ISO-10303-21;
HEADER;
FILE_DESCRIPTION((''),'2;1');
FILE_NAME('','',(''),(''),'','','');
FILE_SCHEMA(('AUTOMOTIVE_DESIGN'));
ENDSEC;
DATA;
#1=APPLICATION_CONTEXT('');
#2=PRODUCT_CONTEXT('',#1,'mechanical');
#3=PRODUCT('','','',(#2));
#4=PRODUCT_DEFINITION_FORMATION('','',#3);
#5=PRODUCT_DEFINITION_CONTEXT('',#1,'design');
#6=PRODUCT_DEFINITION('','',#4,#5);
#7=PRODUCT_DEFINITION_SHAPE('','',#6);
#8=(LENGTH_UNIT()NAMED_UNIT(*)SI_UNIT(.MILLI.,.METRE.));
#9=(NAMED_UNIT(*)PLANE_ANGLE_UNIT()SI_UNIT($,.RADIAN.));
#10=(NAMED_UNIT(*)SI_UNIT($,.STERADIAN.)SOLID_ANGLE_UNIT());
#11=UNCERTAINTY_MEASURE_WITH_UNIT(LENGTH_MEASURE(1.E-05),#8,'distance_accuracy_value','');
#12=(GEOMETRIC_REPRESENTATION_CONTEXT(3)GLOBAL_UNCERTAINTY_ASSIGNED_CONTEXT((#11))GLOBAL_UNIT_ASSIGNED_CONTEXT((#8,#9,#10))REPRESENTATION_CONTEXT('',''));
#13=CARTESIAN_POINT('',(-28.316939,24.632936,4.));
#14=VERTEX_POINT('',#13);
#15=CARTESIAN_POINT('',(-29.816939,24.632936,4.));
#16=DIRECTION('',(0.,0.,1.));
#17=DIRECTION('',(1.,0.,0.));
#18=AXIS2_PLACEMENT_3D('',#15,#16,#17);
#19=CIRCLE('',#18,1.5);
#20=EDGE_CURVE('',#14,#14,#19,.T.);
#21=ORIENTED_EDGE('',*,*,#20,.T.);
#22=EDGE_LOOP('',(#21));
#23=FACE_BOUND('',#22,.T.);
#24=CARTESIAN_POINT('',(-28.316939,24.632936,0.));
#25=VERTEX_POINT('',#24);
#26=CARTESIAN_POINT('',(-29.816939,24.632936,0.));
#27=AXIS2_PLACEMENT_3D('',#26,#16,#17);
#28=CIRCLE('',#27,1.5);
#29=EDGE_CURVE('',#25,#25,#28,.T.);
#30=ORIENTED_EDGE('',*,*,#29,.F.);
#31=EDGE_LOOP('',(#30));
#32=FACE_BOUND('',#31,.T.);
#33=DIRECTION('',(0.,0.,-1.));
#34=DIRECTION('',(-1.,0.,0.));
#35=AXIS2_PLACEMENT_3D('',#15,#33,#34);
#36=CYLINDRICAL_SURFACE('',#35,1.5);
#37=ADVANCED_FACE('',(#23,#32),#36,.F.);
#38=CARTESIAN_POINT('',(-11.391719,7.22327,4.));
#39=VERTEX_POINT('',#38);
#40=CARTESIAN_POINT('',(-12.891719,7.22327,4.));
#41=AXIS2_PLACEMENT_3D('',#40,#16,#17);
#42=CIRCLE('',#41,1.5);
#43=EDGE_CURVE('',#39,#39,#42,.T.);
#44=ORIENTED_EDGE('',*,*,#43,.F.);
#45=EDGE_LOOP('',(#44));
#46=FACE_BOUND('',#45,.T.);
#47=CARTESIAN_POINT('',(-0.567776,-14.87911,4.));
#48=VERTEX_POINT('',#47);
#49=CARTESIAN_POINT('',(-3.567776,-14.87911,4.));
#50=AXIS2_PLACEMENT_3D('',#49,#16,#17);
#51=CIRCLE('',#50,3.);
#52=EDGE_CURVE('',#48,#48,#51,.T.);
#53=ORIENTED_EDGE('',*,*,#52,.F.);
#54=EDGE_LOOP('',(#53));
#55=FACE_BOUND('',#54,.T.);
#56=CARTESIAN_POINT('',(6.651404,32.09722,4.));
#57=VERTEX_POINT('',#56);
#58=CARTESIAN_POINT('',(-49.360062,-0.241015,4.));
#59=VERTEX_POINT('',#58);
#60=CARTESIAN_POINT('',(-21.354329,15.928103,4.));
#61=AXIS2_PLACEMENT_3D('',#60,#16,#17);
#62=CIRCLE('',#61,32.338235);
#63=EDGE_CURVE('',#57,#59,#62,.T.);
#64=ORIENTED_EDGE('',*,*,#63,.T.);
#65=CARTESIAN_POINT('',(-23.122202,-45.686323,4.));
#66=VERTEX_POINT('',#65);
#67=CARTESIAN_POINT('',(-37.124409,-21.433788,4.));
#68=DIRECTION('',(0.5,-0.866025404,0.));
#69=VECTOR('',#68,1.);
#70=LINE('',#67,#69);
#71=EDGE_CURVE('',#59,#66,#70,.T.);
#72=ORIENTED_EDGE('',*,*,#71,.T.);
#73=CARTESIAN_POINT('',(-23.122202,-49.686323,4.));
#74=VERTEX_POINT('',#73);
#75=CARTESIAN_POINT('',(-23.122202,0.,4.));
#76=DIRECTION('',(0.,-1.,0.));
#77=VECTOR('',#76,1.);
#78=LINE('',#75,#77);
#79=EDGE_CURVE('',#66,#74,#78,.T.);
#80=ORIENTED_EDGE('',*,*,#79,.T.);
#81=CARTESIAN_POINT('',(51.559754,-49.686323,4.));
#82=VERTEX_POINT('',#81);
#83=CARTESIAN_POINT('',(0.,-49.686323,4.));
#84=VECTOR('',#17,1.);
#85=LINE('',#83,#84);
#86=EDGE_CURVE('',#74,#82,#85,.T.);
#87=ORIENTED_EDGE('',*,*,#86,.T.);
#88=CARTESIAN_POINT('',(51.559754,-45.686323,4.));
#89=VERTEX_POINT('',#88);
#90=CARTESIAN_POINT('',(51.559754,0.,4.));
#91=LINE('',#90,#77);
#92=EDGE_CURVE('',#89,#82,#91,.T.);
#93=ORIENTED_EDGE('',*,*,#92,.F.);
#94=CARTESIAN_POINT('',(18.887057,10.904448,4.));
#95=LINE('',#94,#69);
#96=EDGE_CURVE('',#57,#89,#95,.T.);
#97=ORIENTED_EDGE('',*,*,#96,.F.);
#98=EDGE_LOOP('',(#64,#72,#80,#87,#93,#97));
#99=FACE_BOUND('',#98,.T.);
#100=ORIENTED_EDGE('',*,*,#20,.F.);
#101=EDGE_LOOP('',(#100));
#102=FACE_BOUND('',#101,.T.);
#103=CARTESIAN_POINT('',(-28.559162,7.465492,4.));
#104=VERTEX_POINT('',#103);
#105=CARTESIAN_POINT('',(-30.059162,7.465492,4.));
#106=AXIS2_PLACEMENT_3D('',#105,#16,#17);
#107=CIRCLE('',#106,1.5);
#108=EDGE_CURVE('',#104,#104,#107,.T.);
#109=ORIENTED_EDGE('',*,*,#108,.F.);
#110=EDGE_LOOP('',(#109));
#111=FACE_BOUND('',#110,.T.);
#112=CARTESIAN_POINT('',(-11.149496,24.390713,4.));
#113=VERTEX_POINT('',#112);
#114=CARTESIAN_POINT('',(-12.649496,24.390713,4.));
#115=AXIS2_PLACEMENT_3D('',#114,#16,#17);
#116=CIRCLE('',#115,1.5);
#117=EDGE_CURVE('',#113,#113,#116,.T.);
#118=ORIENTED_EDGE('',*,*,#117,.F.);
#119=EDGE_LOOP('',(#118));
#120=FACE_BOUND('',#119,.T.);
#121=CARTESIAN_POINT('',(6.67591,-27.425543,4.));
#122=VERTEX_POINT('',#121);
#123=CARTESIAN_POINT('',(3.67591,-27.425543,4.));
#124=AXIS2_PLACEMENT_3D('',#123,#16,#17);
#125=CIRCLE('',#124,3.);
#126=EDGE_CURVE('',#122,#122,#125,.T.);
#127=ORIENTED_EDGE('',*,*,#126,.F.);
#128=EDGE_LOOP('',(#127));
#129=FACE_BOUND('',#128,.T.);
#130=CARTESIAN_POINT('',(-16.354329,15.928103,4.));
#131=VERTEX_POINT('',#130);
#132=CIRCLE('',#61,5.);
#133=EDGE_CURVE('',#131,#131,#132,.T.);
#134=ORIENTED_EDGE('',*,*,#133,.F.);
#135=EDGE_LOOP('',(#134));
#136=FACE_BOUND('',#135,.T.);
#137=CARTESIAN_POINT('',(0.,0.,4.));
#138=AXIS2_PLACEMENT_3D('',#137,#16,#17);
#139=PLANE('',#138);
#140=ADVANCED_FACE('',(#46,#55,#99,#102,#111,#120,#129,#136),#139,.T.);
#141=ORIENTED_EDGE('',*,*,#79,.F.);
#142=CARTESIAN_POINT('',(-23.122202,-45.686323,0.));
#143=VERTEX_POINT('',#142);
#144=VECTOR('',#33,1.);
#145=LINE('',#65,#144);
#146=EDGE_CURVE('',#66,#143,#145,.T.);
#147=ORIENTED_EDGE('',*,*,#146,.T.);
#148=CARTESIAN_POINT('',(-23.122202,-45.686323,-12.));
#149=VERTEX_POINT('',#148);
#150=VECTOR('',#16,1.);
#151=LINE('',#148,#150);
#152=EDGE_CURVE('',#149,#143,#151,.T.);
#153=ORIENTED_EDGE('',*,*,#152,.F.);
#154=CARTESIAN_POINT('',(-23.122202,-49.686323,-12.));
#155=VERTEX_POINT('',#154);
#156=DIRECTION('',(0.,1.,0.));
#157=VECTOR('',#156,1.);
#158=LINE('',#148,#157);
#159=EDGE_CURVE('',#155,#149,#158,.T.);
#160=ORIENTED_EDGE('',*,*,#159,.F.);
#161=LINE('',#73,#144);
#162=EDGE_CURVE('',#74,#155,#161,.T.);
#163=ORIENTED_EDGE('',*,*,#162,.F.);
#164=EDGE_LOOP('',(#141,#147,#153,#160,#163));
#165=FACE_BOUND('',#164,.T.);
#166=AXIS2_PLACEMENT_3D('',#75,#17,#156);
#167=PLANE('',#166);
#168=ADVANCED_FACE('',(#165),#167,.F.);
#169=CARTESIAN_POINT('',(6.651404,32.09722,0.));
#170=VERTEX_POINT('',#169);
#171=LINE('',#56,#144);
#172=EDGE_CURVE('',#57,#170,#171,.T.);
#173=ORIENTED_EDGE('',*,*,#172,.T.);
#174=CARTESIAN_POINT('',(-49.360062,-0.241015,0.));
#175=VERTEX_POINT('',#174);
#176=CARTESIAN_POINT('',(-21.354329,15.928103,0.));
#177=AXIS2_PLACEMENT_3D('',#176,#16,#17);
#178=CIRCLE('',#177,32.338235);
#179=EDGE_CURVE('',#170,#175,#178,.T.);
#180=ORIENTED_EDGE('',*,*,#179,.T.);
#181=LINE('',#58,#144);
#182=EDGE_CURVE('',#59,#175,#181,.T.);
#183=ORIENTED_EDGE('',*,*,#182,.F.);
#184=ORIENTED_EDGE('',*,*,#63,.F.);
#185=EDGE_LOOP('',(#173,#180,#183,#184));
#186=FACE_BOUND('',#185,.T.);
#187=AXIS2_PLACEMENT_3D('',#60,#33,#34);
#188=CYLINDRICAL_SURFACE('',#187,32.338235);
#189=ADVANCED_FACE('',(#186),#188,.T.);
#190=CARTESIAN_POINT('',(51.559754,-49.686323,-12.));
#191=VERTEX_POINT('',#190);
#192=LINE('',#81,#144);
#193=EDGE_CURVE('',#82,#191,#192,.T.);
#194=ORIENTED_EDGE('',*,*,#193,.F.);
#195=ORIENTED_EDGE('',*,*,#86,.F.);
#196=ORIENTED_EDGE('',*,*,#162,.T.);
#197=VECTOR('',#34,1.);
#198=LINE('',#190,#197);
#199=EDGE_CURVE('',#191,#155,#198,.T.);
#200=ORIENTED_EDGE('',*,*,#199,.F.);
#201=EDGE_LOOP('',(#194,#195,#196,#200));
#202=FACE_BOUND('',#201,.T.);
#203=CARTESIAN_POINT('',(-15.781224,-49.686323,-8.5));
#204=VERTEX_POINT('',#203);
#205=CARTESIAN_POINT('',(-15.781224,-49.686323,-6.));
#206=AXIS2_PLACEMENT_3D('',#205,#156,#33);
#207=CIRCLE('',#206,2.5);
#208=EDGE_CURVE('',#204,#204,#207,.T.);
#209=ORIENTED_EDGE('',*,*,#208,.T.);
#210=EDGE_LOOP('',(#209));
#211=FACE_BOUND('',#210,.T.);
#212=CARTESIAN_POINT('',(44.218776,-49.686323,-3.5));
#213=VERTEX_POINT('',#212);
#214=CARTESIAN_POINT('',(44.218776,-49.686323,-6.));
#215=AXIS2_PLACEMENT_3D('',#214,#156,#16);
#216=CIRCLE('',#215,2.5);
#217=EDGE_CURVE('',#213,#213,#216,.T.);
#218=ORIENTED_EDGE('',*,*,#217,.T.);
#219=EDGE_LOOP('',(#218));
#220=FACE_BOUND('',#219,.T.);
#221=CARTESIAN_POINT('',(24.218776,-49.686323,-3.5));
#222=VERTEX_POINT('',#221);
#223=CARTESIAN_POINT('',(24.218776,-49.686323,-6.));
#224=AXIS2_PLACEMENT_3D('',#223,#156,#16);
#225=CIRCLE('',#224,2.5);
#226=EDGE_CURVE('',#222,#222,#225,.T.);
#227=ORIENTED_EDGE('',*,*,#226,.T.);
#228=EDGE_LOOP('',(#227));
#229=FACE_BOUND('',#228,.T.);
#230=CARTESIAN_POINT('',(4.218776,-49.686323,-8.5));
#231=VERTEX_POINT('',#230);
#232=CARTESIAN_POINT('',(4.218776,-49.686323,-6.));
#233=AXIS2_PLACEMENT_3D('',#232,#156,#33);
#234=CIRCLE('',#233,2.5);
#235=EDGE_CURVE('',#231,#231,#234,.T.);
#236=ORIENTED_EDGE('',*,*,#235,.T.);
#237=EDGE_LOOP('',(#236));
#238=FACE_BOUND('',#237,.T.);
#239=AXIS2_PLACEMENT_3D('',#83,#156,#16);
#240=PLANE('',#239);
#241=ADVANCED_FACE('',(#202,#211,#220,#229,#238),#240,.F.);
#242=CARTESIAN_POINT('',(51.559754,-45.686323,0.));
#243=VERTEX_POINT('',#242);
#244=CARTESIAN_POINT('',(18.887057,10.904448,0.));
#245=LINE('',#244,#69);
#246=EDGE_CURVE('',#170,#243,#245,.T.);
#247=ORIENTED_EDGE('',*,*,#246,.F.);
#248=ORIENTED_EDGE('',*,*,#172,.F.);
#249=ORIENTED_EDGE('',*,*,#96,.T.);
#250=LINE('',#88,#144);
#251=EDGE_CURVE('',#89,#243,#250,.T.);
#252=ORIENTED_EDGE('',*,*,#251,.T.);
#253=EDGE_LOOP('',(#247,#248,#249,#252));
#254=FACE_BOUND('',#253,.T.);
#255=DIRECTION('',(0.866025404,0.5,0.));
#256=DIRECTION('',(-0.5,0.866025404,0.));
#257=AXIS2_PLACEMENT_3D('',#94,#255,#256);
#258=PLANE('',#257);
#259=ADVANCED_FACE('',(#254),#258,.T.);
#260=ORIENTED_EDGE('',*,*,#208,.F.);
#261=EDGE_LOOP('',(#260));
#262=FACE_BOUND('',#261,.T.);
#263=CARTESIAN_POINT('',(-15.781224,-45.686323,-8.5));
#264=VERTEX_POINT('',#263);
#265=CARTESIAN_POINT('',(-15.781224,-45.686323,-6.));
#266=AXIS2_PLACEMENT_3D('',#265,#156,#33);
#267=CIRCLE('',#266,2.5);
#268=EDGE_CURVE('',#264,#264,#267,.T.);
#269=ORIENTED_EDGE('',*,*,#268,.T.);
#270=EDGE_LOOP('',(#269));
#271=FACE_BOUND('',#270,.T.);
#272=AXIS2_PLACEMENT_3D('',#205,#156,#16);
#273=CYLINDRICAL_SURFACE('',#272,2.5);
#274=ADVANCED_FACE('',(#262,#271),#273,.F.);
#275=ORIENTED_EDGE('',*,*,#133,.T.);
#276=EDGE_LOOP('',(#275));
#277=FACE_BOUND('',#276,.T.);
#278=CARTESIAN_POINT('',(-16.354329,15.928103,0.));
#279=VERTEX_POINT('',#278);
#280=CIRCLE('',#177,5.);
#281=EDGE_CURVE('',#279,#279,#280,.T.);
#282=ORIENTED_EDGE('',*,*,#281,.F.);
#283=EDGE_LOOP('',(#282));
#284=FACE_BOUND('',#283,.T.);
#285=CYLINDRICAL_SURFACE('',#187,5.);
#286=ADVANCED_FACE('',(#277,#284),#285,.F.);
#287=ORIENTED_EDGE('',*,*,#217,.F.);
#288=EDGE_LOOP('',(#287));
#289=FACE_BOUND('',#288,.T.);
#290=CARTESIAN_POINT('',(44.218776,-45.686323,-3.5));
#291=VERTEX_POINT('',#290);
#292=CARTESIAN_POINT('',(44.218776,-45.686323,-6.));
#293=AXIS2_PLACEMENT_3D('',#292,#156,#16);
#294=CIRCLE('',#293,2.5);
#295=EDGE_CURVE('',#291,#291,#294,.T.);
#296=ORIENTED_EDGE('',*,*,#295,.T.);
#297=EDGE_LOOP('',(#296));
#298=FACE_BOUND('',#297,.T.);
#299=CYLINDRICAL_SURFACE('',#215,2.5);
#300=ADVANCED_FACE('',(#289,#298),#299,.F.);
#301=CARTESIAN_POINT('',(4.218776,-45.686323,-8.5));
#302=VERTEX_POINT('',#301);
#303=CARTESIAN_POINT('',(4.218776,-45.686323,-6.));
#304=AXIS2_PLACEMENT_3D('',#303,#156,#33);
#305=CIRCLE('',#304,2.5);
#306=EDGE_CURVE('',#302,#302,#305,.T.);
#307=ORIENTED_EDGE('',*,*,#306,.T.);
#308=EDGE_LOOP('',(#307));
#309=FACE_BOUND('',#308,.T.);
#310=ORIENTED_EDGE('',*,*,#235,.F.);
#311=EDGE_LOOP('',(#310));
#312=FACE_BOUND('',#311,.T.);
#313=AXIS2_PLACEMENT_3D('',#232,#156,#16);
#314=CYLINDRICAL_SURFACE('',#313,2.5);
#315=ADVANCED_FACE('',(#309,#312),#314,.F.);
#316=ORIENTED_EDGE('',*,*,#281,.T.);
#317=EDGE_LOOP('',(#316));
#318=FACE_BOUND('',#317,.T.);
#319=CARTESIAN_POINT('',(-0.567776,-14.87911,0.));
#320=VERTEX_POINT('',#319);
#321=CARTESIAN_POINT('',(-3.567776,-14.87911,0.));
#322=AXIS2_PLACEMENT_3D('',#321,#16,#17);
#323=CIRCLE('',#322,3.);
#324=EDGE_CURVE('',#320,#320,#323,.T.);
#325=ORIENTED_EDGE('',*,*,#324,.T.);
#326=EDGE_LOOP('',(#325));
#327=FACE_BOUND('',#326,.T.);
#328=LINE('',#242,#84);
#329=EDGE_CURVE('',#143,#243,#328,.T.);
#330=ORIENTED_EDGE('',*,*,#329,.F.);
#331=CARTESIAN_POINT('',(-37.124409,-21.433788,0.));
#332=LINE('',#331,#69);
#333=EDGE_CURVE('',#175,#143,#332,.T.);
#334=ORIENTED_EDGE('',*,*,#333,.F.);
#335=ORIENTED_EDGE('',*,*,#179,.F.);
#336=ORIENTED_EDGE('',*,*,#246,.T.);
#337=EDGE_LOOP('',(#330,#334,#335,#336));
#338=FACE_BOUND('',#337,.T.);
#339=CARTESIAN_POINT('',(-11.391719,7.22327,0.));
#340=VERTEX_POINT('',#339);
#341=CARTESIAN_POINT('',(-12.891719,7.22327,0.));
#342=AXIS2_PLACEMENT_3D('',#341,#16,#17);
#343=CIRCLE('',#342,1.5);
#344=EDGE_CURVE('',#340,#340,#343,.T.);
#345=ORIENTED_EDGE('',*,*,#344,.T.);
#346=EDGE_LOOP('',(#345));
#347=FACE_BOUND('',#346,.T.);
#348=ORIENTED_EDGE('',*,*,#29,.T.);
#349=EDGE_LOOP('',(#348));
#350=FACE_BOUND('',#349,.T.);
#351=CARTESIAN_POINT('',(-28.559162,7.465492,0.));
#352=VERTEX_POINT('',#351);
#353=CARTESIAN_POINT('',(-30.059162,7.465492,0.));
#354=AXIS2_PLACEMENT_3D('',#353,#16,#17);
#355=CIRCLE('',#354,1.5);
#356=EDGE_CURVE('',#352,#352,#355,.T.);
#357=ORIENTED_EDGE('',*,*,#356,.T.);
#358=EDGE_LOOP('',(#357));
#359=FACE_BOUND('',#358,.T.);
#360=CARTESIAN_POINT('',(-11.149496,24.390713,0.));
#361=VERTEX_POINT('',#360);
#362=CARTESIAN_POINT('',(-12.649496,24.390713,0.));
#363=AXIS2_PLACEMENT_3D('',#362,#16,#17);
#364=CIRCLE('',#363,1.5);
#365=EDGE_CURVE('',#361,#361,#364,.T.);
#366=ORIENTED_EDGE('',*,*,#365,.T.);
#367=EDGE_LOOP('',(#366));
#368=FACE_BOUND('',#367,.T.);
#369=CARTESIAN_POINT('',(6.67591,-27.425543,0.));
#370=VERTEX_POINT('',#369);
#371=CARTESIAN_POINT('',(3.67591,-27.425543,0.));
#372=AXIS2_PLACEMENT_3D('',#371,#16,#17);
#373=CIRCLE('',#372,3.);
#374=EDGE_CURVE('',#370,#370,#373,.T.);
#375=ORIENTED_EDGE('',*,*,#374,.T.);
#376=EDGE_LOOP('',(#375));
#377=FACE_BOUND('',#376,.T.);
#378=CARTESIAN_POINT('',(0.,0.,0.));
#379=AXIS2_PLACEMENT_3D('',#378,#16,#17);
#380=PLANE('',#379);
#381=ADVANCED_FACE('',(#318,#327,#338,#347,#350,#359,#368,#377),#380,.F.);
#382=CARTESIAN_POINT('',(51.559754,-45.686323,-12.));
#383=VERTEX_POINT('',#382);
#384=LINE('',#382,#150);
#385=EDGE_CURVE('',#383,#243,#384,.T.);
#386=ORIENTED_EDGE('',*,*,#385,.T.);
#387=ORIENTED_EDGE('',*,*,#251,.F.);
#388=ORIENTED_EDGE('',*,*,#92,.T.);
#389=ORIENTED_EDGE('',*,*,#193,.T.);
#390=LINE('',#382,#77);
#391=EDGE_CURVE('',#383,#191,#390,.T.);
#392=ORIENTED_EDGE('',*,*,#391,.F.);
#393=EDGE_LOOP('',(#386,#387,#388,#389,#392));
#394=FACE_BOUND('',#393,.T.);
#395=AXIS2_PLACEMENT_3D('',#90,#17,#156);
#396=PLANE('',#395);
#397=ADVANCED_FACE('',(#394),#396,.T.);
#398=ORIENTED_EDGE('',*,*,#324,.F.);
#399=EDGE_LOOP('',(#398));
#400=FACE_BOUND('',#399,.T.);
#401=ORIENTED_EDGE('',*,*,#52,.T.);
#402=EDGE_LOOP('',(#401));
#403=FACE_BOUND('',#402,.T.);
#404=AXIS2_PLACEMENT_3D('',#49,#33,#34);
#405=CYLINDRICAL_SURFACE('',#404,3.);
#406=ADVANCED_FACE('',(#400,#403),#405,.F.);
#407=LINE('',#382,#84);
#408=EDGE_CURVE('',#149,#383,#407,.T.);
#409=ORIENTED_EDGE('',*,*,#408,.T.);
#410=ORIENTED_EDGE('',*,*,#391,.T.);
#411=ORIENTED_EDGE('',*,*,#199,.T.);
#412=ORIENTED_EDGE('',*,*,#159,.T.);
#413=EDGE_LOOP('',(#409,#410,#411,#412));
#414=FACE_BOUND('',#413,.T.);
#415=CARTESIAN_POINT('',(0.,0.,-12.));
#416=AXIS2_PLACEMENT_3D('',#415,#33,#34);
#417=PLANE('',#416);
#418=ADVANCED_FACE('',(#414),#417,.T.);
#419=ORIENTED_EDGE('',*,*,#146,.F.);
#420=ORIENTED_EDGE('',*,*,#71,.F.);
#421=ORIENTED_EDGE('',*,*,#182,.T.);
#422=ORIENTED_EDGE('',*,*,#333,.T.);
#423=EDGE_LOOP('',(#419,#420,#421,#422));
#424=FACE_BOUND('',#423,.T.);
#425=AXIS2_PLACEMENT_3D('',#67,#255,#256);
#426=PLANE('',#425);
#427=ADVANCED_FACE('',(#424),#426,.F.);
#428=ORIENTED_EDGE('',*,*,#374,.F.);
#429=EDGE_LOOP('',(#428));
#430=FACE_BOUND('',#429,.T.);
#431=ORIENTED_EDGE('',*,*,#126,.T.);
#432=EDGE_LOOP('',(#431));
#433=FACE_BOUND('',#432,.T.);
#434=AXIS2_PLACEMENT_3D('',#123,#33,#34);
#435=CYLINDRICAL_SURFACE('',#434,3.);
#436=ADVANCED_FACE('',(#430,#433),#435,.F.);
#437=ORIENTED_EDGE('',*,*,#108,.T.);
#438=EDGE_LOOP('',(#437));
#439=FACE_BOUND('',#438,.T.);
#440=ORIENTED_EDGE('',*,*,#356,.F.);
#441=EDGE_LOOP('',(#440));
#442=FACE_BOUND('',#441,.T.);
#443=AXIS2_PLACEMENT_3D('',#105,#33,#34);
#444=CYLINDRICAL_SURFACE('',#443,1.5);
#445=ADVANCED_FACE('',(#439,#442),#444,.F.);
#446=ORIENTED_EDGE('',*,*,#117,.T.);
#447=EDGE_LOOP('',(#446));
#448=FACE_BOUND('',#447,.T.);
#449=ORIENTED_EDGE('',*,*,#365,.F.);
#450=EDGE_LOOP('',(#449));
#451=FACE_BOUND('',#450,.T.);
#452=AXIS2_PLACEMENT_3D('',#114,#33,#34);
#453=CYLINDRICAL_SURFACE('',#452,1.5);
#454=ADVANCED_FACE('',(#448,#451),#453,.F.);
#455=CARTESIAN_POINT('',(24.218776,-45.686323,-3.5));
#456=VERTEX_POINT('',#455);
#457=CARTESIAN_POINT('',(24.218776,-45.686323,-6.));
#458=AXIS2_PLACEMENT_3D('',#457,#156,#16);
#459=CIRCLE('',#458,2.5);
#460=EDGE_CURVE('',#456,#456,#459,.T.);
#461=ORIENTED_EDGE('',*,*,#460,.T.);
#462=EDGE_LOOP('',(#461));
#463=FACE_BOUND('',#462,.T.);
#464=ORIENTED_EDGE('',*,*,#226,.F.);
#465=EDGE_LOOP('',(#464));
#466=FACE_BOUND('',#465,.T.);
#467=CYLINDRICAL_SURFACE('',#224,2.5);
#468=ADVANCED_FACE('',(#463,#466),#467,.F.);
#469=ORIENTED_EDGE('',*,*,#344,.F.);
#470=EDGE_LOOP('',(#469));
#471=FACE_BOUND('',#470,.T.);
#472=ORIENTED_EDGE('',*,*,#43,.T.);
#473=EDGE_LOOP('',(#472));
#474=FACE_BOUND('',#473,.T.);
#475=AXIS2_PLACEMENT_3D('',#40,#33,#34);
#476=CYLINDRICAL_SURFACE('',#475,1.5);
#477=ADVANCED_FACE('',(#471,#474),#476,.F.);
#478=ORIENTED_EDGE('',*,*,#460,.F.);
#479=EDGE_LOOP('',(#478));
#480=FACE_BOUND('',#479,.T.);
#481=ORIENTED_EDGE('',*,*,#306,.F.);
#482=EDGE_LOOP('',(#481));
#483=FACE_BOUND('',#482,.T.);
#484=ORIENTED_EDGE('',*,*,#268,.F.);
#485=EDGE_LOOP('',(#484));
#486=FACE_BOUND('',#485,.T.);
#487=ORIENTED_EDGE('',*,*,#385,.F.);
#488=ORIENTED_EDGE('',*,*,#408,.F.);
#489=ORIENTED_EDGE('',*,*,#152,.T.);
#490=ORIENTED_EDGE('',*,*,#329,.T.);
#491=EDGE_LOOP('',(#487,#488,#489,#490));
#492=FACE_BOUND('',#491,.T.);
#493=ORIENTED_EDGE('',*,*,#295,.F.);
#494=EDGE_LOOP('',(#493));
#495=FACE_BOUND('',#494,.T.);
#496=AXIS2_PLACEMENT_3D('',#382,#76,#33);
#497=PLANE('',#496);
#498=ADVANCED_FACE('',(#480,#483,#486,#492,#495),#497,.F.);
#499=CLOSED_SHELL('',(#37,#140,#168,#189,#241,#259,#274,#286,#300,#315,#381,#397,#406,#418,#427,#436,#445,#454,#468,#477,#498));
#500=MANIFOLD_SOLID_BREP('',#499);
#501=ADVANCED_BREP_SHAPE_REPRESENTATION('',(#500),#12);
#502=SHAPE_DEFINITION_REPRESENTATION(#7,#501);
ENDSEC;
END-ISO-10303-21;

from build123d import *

# Parameters (mm, degrees)
SKETCH_1_R          = 5
SKETCH_1_R_2        = 1.5
SKETCH_1_R_3        = 3
EXTRUDE_1_DEPTH     = 4
SKETCH_2_W          = 74.681955409
SKETCH_2_H          = 4
EXTRUDE_2_DEPTH     = 12
SKETCH_3_R          = 2.5
CUT_EXTRUDE_1_DEPTH = 109.876048253


with BuildPart() as part:
    # 草图1 → 凸台-拉伸1 (new body)
    with BuildSketch(Plane.XY):
        with BuildLine():
            Line((-49.360062144, -0.241015089), (-23.122201524, -45.686322765))
            Line((-23.122201524, -45.686322765), (-23.122201524, -49.686322765))
            Line((-23.122201524, -49.686322765), (51.559753885, -49.686322765))
            Line((51.559753885, -49.686322765), (51.559753885, -45.686322765))
            Line((51.559753885, -45.686322765), (6.651404412, 32.097220205))
            ThreePointArc((6.651404412, 32.097220205), (-37.523446513, 43.933835837), (-49.360062144, -0.241015089))
        make_face()
        with Locations((-21.354328866, 15.928102558)):
            Circle(SKETCH_1_R, mode=Mode.SUBTRACT)
        with Locations((-29.816939203, 24.632935589)):
            Circle(SKETCH_1_R_2, mode=Mode.SUBTRACT)
        with Locations((-12.649495836, 24.390712895)):
            Circle(SKETCH_1_R_2, mode=Mode.SUBTRACT)
        with Locations((-12.89171853, 7.223269528)):
            Circle(SKETCH_1_R_2, mode=Mode.SUBTRACT)
        with Locations((-30.059161896, 7.465492222)):
            Circle(SKETCH_1_R_2, mode=Mode.SUBTRACT)
        with Locations((-3.567776343, -14.879110103)):
            Circle(SKETCH_1_R_3, mode=Mode.SUBTRACT)
        with Locations((3.675910259, -27.425543331)):
            Circle(SKETCH_1_R_3, mode=Mode.SUBTRACT)
    extrude(amount=EXTRUDE_1_DEPTH)

    # 草图2 → 凸台-拉伸2 (add)
    with BuildSketch(Plane(origin=(0, 0, 0), x_dir=(-1, 0, 0), z_dir=(0, 0, -1))):
        with Locations((-14.218776181, -47.686322765)):
            Rectangle(SKETCH_2_W, SKETCH_2_H)
    extrude(amount=EXTRUDE_2_DEPTH)

    # 草图3 → 切除-拉伸1 (cut, through all)
    with BuildSketch(Plane(origin=(0, -45.686322765, 0), x_dir=(1, 0, 0), z_dir=(0, 1, 0))):
        with Locations(Location((24.21877618, 6, 0), (0, 0, 270))):
            Circle(SKETCH_3_R)
        with Locations(Location((44.21877618, 6, 0), (0, 0, 270))):
            Circle(SKETCH_3_R)
        with Locations(Location((-15.78122382, 6, 0), (0, 0, 90))):
            Circle(SKETCH_3_R)
        with Locations(Location((4.21877618, 6, 0), (0, 0, 90))):
            Circle(SKETCH_3_R)
    extrude(amount=-CUT_EXTRUDE_1_DEPTH, mode=Mode.SUBTRACT)


solid = part.part
